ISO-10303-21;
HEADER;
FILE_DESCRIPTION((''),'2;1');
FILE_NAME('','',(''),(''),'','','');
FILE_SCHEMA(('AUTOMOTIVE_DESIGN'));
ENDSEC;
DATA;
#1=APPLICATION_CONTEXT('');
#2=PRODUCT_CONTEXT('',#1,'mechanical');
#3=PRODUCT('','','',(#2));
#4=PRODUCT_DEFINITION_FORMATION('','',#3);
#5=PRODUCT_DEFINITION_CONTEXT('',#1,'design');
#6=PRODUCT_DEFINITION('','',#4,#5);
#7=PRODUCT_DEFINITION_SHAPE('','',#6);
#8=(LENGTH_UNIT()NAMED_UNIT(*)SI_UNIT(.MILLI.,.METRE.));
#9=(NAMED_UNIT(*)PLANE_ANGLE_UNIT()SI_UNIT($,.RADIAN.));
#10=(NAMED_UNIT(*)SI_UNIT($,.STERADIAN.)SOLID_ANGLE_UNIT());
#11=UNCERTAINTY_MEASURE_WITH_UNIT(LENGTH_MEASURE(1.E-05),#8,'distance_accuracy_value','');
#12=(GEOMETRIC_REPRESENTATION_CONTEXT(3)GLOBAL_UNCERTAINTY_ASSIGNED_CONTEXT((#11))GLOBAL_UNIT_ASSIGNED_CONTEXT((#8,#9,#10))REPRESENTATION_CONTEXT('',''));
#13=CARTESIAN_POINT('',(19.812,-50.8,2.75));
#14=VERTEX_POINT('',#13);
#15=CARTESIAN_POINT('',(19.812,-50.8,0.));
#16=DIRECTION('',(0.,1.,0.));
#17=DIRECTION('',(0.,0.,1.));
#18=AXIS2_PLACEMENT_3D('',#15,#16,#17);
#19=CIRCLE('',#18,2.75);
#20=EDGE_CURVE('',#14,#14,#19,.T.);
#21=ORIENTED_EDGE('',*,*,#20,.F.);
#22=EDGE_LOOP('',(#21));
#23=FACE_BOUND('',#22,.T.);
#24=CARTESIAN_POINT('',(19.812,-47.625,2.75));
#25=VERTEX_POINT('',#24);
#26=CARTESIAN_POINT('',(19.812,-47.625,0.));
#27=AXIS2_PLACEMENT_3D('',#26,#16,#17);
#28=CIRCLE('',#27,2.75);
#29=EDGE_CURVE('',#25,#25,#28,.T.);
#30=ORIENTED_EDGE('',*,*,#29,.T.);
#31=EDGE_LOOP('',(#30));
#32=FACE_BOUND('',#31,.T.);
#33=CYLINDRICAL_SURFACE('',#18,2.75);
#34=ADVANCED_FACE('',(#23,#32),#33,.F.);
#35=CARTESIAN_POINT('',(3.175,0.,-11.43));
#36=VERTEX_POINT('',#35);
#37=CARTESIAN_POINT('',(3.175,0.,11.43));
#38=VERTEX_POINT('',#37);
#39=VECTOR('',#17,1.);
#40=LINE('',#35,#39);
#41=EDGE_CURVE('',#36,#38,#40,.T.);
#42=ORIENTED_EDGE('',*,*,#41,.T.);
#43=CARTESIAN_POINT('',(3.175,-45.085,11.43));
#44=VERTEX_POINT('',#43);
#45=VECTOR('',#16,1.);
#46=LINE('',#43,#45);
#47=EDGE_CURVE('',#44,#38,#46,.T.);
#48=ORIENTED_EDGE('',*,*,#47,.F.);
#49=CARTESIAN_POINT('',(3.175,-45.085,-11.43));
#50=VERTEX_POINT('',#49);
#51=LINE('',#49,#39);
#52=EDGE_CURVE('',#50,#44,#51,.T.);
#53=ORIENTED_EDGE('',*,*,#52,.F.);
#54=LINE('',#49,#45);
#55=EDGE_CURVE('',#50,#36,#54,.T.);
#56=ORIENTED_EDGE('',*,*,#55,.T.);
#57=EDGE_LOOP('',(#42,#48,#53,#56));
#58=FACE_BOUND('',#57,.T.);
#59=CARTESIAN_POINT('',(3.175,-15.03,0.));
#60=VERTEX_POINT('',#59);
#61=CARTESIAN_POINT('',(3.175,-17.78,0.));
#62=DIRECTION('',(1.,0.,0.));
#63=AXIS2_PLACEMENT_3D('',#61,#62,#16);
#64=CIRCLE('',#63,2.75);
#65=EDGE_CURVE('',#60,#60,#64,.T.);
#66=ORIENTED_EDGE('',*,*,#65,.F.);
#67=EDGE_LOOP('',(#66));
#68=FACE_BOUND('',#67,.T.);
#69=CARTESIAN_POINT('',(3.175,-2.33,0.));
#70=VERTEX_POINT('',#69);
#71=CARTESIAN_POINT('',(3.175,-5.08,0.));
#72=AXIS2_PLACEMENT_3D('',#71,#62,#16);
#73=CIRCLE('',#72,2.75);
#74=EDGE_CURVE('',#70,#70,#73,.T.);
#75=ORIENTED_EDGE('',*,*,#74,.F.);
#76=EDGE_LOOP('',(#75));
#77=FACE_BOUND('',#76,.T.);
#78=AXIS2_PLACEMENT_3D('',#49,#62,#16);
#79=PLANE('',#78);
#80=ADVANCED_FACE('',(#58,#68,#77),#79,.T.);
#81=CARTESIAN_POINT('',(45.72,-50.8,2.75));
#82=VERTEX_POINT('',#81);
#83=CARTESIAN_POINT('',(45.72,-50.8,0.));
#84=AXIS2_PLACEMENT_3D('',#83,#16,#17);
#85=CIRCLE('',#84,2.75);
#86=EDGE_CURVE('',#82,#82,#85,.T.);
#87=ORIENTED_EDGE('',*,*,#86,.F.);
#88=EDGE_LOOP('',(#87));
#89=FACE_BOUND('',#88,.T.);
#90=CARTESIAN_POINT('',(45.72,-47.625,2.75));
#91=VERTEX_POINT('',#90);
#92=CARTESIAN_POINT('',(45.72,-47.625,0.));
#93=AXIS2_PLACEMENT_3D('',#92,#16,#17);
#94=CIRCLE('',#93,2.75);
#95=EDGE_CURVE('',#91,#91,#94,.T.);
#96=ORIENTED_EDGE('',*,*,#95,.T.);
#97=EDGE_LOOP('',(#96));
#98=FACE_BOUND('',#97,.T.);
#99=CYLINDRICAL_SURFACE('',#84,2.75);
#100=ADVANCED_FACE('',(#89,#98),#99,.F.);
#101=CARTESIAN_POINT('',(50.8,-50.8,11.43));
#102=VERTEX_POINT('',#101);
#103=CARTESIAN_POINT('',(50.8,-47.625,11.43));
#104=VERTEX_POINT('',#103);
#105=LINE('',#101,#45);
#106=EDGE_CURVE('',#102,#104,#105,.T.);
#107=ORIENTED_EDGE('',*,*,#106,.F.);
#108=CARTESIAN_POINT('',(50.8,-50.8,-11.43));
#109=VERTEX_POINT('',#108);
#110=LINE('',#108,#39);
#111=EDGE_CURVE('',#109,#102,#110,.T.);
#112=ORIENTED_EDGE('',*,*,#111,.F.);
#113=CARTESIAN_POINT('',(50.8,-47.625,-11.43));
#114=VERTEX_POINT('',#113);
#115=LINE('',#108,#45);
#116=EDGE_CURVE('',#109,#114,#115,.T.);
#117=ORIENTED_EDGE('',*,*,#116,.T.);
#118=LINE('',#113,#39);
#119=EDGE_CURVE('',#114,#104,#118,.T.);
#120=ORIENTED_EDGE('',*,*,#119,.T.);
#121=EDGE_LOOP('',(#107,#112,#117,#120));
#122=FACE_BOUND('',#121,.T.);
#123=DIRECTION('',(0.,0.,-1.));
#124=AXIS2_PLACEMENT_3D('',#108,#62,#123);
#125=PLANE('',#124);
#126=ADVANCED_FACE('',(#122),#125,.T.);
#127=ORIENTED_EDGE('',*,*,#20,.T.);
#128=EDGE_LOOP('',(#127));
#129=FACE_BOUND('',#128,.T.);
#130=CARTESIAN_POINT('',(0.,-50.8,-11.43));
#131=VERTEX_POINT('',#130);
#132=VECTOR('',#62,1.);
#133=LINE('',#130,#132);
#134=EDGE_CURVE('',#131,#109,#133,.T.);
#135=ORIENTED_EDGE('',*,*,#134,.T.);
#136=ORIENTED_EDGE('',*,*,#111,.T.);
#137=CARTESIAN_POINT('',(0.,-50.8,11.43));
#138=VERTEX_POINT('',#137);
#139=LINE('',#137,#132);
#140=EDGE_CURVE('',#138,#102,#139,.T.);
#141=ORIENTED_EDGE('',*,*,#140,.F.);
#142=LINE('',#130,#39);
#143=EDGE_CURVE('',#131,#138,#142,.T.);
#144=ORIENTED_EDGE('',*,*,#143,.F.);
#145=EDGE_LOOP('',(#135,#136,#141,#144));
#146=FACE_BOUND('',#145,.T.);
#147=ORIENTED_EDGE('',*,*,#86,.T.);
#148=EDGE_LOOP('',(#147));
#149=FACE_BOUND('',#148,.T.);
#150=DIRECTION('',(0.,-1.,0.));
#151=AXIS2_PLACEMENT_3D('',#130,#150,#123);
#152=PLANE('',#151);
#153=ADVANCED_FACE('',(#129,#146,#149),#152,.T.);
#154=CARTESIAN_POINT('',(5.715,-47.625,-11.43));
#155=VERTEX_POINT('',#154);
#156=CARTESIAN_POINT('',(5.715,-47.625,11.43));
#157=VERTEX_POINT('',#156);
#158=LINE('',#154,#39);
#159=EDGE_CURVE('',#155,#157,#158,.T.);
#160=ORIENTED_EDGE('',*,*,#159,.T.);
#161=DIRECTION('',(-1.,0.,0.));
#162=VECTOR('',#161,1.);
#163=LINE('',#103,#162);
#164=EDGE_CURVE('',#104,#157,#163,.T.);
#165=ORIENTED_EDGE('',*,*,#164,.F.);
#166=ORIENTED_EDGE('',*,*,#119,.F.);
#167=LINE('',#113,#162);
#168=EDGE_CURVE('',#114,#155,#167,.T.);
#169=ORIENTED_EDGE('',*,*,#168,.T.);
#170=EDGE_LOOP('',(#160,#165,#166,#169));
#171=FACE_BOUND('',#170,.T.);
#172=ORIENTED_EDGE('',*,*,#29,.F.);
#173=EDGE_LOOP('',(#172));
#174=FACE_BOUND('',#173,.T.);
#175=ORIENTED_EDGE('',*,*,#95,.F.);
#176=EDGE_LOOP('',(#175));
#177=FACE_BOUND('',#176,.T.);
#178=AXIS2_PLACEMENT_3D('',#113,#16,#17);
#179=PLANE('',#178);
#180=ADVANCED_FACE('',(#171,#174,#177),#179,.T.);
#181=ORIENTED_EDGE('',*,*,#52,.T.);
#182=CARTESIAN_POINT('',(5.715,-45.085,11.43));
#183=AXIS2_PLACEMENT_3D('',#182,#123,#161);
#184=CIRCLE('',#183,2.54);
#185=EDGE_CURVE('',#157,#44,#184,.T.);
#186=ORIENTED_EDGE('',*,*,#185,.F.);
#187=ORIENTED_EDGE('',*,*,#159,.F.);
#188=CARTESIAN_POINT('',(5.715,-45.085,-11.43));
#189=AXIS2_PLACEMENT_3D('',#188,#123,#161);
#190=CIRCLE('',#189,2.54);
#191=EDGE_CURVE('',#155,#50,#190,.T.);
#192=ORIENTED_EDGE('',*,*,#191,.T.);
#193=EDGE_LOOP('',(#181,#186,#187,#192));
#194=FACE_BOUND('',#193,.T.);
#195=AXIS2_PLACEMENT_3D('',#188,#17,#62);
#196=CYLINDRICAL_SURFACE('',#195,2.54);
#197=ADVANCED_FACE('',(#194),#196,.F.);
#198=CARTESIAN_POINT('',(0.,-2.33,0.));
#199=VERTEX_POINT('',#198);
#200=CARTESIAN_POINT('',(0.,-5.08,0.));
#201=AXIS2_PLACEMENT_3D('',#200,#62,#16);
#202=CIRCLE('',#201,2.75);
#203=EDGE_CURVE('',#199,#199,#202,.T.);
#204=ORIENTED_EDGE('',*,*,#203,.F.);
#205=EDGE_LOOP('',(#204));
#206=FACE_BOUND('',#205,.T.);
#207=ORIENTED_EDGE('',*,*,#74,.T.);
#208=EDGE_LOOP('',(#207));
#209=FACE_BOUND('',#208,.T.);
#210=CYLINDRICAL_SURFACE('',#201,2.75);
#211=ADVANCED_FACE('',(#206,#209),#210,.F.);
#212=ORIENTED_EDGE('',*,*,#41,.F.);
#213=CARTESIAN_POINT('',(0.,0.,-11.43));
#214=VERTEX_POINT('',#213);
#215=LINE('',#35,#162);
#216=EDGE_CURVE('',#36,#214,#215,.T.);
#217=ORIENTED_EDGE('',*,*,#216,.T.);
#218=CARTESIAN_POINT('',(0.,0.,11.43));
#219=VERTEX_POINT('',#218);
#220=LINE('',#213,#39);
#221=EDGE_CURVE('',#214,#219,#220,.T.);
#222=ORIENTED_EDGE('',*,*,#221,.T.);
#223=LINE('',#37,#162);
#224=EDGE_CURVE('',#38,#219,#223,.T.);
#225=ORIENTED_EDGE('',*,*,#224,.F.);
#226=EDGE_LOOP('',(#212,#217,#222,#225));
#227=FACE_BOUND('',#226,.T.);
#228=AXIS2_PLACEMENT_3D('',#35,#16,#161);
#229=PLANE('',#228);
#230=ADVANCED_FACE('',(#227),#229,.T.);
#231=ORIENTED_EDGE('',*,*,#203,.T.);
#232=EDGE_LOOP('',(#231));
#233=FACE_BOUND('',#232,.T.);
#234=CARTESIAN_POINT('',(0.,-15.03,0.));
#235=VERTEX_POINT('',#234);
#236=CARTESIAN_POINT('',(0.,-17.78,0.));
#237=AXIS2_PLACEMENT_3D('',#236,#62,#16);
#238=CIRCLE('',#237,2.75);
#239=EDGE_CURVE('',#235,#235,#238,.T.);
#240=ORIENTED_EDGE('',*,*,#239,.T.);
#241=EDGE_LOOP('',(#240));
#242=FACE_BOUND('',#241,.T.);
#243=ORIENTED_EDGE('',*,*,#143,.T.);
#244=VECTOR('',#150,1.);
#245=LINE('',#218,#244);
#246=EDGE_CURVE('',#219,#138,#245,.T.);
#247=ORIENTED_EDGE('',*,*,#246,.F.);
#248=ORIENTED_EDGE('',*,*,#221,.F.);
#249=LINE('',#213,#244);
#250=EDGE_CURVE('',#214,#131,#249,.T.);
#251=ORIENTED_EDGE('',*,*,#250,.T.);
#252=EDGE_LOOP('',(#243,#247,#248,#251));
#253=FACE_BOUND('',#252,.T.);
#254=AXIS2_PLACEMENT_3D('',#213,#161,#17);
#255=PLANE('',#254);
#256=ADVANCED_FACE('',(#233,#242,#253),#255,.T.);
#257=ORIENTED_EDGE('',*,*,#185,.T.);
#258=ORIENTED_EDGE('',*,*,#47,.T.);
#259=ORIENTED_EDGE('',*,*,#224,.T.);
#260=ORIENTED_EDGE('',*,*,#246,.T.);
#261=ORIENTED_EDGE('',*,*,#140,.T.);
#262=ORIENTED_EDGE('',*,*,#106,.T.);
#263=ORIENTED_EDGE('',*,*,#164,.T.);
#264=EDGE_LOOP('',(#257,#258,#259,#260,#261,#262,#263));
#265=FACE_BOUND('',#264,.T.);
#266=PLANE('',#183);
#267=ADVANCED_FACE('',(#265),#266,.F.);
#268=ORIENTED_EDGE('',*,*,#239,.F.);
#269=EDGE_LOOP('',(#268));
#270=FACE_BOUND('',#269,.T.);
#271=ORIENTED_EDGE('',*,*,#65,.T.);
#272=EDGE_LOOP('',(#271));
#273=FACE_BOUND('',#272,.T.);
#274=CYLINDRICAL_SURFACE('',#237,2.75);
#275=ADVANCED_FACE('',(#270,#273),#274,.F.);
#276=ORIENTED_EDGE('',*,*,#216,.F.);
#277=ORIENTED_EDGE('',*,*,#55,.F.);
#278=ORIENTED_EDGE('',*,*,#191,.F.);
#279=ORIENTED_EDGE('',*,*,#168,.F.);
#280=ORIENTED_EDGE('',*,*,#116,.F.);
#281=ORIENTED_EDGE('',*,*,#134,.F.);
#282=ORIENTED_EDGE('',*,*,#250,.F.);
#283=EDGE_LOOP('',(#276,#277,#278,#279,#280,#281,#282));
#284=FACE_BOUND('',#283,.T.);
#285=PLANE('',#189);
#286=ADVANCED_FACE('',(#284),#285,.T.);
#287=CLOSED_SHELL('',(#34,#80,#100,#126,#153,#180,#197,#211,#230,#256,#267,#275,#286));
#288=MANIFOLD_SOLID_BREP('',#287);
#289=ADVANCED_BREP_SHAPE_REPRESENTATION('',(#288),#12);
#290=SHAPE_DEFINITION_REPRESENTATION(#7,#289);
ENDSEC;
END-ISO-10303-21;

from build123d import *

# Parameters (mm, degrees)
BOSS_EXTRUDE1_DEPTH = 11.43
SKETCH3_R           = 2.75
CUT_EXTRUDE1_DEPTH  = 71.56504464
SKETCH4_R           = 2.75
CUT_EXTRUDE2_DEPTH  = 71.56504464


with BuildPart() as part:
    # Sketch2 → Boss-Extrude1 (new, symmetric)
    with BuildSketch(Plane.XY):
        with BuildLine():
            Line((0, 0), (0, -50.8))
            Line((0, -50.8), (50.8, -50.8))
            Line((50.8, -50.8), (50.8, -47.625))
            Line((50.8, -47.625), (5.715, -47.625))
            ThreePointArc((5.715, -47.625), (3.918948776, -46.881051224), (3.175, -45.085))
            Line((3.175, -45.085), (3.175, 0))
            Line((3.175, 0), (0, 0))
        make_face()
    extrude(amount=BOSS_EXTRUDE1_DEPTH, both=True)

    # Sketch3 → Cut-Extrude1 (cut, through all)
    with BuildSketch(Plane(origin=(3.175, 0, 0), x_dir=(0, 0, -1), z_dir=(1, 0, 0))):
        with Locations(Location((0, -5.08, 0), (0, 0, 90))):
            Circle(SKETCH3_R)
        with Locations(Location((0, -17.78, 0), (0, 0, 90))):
            Circle(SKETCH3_R)
    extrude(amount=-CUT_EXTRUDE1_DEPTH, mode=Mode.SUBTRACT)

    # Sketch4 → Cut-Extrude2 (cut, through all)
    with BuildSketch(Plane(origin=(0, -47.625, 0), x_dir=(1, 0, 0), z_dir=(0, 1, 0))):
        with Locations(Location((19.812, 0, 0), (0, 0, 270))):
            Circle(SKETCH4_R)
        with Locations(Location((45.72, 0, 0), (0, 0, 270))):
            Circle(SKETCH4_R)
    extrude(amount=-CUT_EXTRUDE2_DEPTH, mode=Mode.SUBTRACT)


solid = part.part
